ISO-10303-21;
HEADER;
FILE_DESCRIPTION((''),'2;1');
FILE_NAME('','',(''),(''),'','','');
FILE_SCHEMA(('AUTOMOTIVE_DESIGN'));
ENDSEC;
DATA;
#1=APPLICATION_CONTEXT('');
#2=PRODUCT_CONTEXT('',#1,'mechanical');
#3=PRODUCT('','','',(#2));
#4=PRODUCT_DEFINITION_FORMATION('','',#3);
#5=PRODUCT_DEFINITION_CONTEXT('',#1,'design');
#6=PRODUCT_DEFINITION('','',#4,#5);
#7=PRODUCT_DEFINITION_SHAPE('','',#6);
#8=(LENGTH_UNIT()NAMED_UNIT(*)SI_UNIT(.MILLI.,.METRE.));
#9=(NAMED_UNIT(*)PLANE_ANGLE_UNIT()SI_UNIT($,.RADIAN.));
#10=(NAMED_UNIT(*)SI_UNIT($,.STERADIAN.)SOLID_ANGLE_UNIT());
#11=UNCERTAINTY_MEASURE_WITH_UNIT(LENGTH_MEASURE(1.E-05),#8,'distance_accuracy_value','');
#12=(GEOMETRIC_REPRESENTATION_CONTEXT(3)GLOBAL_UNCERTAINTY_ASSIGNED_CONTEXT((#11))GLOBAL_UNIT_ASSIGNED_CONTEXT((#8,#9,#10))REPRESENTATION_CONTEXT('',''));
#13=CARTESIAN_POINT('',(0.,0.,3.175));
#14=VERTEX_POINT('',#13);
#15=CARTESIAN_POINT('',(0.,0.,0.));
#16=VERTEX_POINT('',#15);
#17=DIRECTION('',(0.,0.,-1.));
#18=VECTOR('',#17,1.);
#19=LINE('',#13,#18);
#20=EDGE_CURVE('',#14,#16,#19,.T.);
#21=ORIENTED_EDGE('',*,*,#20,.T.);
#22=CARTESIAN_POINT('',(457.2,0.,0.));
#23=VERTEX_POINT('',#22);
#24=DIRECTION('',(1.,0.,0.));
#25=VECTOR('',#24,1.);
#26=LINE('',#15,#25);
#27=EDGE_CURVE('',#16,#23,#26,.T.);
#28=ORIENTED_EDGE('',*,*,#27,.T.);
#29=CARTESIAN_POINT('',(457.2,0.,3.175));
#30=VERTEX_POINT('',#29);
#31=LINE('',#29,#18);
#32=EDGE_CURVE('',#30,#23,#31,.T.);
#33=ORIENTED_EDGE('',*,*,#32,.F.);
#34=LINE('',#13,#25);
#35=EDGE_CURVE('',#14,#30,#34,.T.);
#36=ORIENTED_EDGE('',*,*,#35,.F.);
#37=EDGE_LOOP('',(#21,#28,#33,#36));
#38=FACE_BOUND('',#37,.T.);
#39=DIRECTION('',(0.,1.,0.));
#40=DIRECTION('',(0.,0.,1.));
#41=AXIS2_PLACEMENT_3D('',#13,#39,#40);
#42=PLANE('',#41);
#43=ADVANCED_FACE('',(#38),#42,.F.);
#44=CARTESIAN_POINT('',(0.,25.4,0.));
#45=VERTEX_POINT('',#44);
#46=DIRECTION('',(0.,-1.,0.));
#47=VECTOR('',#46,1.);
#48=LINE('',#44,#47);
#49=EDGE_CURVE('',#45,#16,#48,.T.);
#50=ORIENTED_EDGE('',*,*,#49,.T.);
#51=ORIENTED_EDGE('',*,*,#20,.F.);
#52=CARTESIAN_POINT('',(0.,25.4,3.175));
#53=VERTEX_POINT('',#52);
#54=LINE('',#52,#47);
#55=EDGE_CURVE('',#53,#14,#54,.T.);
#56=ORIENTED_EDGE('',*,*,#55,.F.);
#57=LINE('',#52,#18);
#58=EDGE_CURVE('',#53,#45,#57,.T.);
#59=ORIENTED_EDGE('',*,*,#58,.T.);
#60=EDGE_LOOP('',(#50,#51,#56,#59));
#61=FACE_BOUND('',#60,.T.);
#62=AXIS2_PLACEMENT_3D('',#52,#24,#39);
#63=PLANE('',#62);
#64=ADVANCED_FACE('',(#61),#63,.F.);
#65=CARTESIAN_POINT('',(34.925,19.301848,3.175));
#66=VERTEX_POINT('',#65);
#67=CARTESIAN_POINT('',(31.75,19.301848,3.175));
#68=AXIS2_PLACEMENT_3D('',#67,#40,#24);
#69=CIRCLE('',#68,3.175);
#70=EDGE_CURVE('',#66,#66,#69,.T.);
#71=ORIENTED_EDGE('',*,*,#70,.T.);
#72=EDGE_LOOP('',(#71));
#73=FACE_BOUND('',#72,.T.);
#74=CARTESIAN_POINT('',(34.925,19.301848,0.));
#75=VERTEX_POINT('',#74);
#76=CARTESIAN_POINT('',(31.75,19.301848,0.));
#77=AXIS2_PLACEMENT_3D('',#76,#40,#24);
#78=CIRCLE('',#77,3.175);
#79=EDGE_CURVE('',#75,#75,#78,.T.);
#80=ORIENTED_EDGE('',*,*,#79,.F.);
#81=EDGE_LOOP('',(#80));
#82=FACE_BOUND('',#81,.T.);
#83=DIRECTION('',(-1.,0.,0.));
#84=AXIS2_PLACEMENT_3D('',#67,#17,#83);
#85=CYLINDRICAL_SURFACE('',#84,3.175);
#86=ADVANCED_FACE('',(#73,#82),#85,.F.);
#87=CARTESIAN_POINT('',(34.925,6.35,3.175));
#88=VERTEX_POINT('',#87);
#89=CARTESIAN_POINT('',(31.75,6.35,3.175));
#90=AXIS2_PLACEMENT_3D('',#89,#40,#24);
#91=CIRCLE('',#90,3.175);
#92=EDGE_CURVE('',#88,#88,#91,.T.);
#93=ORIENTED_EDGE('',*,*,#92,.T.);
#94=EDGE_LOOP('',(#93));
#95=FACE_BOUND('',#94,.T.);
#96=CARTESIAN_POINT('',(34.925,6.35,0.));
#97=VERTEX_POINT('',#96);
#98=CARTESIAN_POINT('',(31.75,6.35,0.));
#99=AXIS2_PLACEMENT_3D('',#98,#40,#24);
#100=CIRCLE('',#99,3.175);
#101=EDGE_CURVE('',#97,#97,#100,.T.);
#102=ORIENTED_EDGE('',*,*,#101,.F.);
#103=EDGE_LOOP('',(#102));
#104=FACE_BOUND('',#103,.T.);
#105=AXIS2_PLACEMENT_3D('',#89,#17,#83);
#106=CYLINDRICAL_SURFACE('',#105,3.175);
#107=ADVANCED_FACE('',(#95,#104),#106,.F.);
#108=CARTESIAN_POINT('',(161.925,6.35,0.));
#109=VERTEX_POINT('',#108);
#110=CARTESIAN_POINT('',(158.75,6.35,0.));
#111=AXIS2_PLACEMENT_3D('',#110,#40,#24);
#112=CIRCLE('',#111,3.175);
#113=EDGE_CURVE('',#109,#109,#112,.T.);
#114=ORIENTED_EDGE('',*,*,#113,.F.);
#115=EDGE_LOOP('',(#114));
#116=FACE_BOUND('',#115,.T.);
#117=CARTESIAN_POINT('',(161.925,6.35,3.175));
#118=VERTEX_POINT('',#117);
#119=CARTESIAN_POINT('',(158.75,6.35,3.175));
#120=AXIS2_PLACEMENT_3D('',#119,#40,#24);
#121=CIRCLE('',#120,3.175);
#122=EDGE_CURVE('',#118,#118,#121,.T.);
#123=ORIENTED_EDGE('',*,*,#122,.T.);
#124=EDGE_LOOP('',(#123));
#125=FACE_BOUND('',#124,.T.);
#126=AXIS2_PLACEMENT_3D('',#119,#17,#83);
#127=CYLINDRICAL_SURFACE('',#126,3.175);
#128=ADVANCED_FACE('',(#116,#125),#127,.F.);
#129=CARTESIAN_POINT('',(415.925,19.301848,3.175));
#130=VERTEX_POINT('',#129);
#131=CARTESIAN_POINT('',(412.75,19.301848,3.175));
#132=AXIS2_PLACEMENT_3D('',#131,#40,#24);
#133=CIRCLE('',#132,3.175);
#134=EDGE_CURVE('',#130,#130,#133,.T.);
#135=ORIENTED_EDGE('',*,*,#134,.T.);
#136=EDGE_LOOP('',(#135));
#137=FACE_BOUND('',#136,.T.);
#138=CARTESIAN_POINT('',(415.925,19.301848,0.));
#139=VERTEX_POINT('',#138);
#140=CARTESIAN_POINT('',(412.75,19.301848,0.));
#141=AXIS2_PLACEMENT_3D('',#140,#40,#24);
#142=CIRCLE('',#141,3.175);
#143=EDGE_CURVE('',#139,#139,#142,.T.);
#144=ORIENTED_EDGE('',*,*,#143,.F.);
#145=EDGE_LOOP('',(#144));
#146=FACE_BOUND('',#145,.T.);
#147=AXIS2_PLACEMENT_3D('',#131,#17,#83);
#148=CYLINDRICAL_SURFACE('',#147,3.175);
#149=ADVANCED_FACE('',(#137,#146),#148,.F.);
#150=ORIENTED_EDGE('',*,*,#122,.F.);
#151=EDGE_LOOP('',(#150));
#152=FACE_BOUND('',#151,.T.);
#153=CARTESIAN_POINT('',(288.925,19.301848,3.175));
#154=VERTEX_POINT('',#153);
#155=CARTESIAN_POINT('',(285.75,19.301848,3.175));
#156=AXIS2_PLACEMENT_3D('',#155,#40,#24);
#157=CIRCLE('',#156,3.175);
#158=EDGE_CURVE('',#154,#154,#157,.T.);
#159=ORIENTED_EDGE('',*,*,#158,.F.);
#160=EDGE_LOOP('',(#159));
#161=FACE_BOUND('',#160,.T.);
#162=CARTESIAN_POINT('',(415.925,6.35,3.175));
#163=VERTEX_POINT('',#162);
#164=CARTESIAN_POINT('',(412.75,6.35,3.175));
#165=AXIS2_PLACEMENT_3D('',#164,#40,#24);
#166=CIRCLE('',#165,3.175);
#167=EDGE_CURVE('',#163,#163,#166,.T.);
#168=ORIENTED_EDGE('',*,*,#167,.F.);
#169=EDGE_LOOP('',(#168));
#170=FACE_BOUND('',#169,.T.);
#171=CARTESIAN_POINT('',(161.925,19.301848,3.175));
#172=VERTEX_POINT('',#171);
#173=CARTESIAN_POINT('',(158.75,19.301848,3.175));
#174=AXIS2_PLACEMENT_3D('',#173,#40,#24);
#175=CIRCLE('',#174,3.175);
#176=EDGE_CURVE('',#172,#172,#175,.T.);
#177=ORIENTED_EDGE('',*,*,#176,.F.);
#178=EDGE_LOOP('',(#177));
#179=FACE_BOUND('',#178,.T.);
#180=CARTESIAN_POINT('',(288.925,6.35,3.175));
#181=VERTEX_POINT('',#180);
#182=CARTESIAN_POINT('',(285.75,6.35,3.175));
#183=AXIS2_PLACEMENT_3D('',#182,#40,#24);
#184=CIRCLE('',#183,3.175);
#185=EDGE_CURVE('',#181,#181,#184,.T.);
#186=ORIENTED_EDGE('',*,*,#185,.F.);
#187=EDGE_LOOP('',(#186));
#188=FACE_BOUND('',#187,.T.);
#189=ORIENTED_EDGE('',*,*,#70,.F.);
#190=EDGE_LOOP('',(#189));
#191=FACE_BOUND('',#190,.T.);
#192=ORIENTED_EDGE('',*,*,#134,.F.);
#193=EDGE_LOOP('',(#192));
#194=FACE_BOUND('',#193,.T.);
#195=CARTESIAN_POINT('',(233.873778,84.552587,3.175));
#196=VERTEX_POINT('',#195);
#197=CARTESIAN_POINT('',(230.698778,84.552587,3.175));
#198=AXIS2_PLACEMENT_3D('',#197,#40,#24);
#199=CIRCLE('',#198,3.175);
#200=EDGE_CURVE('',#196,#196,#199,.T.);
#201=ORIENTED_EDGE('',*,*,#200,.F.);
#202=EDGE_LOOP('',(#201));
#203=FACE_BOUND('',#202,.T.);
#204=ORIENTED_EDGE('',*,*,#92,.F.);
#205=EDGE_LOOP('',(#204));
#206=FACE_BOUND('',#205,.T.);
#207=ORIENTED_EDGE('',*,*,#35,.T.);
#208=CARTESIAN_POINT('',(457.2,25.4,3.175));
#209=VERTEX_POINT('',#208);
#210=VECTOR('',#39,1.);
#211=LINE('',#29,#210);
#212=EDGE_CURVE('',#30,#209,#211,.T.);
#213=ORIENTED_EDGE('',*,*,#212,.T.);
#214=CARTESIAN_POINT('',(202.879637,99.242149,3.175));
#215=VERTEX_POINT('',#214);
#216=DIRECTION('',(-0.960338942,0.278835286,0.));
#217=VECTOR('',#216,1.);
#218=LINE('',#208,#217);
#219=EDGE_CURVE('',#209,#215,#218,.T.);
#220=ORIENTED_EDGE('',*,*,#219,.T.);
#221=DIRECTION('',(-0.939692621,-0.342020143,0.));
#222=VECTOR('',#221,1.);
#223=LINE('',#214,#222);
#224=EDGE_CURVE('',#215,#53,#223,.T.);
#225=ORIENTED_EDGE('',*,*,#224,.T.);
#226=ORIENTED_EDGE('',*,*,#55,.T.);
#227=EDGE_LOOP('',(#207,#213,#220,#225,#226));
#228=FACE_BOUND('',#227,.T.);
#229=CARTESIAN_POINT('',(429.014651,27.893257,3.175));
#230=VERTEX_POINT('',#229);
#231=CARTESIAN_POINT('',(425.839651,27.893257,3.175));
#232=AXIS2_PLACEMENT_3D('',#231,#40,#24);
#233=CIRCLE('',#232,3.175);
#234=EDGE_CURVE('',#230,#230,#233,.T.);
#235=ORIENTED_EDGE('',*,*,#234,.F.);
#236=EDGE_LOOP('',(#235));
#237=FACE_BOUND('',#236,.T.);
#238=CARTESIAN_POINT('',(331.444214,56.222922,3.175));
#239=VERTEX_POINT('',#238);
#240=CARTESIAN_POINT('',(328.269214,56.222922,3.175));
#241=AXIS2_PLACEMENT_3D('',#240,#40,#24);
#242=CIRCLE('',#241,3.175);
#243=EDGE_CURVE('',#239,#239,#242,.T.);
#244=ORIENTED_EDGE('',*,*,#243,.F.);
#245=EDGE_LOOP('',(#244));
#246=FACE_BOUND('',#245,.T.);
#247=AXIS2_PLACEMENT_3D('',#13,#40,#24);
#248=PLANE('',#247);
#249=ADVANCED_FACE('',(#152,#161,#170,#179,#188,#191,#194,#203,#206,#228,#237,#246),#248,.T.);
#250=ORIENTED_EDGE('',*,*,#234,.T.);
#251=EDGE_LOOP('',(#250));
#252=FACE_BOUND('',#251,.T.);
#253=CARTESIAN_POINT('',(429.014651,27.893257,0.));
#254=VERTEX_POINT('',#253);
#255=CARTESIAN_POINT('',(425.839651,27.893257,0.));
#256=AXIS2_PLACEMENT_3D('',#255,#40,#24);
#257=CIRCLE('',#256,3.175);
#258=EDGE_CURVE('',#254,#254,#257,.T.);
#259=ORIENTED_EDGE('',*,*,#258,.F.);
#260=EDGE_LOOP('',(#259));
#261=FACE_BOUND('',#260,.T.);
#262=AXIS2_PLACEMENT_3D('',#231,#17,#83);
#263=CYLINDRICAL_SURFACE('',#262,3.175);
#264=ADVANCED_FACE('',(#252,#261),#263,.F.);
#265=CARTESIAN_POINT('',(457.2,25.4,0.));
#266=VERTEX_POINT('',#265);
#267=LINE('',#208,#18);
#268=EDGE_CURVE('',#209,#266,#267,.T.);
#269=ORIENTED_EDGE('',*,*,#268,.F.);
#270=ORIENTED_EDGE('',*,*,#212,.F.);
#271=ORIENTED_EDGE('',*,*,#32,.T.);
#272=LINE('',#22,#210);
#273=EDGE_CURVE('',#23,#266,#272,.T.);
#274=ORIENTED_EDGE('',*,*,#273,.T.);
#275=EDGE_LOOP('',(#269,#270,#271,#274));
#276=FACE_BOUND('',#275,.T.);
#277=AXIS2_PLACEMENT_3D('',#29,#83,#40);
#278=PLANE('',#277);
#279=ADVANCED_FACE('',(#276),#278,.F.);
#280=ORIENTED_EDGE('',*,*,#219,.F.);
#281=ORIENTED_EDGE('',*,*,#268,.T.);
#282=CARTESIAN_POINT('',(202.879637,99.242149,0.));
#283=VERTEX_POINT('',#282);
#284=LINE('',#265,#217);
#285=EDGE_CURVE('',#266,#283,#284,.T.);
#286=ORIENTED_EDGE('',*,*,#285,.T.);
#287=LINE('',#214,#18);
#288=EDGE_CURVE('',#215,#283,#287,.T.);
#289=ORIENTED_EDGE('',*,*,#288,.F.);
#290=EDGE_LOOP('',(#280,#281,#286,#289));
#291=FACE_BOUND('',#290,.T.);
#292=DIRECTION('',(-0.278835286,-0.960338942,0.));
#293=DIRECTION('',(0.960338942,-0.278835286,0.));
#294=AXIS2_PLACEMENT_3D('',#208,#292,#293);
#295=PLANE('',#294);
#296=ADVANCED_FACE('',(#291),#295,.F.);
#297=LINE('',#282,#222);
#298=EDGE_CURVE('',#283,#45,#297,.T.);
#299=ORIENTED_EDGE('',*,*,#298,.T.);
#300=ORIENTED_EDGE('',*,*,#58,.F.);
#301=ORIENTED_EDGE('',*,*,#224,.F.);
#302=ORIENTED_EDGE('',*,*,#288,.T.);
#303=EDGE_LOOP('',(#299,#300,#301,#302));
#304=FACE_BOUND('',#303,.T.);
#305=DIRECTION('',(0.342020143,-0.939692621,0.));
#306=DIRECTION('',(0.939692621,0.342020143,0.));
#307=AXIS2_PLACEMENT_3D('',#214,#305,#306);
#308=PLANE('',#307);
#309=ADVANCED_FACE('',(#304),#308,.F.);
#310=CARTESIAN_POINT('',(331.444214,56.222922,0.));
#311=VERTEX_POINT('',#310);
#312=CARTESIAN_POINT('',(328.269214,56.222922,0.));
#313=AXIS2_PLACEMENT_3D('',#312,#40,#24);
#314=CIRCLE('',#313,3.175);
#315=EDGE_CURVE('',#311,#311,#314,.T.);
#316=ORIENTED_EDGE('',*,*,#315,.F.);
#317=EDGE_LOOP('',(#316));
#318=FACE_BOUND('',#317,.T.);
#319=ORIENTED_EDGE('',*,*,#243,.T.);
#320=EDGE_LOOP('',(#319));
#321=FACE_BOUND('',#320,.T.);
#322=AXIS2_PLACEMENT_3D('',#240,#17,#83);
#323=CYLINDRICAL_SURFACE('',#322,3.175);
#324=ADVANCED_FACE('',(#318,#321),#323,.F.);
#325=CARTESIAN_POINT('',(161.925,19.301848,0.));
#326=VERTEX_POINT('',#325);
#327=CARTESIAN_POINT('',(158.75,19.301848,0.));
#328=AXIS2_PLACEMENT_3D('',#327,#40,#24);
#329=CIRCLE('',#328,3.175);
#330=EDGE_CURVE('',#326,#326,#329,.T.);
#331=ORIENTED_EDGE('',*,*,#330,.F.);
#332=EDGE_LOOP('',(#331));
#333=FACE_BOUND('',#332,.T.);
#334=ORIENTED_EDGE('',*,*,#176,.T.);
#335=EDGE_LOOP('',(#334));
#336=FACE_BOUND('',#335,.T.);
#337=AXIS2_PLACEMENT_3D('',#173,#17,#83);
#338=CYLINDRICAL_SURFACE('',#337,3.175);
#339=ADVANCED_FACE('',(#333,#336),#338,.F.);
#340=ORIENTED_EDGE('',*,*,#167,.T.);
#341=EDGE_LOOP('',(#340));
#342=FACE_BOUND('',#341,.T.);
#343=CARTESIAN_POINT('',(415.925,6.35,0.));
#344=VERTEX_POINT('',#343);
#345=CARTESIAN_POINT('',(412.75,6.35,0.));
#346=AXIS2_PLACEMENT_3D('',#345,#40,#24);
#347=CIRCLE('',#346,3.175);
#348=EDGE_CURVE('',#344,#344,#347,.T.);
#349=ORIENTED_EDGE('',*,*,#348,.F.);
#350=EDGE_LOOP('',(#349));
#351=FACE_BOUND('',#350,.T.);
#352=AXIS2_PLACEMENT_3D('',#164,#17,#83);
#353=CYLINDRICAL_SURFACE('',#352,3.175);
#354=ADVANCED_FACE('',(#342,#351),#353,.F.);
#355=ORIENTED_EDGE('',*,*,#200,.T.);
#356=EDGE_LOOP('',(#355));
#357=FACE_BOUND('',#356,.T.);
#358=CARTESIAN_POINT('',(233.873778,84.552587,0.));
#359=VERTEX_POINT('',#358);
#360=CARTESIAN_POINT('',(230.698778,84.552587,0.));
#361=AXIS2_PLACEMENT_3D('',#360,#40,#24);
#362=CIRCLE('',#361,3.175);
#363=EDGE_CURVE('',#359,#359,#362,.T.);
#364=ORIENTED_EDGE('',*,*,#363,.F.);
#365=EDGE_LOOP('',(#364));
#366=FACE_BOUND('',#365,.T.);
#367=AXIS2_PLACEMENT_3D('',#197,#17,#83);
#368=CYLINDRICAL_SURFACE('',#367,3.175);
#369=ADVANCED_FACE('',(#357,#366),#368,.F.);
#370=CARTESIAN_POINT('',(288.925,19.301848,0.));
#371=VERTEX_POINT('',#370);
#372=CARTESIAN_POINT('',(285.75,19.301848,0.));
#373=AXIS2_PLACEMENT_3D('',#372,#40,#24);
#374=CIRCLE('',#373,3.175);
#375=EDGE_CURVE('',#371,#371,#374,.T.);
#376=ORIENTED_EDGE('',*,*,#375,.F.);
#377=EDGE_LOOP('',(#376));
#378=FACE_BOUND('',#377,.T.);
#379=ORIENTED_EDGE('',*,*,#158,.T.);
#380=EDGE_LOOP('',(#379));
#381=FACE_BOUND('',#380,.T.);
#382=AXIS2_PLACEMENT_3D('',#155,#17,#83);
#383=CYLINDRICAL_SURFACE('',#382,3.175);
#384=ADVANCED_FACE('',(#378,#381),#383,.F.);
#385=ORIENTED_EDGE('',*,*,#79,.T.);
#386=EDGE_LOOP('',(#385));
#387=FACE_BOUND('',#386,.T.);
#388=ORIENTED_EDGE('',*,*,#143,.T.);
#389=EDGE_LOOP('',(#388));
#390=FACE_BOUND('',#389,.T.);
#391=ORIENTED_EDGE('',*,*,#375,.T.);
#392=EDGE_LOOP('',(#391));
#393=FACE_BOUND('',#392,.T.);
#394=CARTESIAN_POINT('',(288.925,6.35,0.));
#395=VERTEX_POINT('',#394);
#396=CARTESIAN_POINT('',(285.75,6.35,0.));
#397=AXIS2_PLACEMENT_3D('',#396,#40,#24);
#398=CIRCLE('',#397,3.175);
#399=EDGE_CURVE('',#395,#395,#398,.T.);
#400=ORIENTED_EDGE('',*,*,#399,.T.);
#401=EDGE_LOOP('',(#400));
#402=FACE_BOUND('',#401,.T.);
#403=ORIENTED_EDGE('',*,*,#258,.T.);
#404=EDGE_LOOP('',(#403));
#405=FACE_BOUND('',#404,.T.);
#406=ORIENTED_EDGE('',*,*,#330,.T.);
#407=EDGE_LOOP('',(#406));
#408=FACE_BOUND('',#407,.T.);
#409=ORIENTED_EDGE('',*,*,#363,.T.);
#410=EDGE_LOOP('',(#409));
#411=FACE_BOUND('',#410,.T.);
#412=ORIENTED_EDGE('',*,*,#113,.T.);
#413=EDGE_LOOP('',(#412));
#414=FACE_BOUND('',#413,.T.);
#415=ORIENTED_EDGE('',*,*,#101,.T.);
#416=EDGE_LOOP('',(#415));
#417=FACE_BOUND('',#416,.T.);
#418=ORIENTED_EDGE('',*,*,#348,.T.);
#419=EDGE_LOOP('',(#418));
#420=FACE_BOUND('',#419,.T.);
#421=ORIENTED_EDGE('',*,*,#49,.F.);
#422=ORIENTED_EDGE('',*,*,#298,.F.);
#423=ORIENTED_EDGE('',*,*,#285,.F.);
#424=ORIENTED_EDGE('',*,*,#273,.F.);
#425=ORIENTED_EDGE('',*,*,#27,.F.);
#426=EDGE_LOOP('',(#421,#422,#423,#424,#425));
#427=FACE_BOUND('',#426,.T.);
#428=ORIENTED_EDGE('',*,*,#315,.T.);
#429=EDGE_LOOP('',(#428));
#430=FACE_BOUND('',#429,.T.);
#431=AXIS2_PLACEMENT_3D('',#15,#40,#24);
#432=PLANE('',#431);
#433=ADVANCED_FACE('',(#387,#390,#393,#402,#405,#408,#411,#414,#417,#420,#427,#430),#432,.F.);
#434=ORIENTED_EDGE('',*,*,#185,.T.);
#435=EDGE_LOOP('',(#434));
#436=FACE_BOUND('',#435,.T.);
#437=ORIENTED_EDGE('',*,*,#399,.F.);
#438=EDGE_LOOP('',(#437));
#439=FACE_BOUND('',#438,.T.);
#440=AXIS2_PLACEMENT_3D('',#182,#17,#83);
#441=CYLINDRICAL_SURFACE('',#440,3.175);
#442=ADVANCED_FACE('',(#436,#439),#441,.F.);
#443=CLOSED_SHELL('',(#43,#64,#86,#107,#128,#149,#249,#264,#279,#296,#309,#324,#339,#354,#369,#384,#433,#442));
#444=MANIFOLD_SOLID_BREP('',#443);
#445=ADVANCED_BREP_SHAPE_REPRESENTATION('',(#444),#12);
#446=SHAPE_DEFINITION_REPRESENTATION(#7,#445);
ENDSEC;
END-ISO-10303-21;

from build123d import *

# Parameters (mm, degrees)
SKETCH1_R           = 3.175
BOSS_EXTRUDE1_DEPTH = 3.175


with BuildPart() as part:
    # Sketch1 → Boss-Extrude1 (new body)
    with BuildSketch(Plane.XY):
        Polygon((0, 0), (457.2, 0), (457.2, 25.4), (202.879636828, 99.242148944), (0, 25.4), align=None)
        with Locations((230.698777852, 84.552587242)):
            Circle(SKETCH1_R, mode=Mode.SUBTRACT)
        with Locations((328.269214348, 56.222922191)):
            Circle(SKETCH1_R, mode=Mode.SUBTRACT)
        with Locations((425.839650845, 27.89325714)):
            Circle(SKETCH1_R, mode=Mode.SUBTRACT)
        with Locations((31.75, 19.301847719)):
            Circle(SKETCH1_R, mode=Mode.SUBTRACT)
        with Locations((31.75, 6.35)):
            Circle(SKETCH1_R, mode=Mode.SUBTRACT)
        with Locations((158.75, 19.301847719)):
            Circle(SKETCH1_R, mode=Mode.SUBTRACT)
        with Locations((285.75, 19.301847719)):
            Circle(SKETCH1_R, mode=Mode.SUBTRACT)
        with Locations((412.75, 19.301847719)):
            Circle(SKETCH1_R, mode=Mode.SUBTRACT)
        with Locations((158.75, 6.35)):
            Circle(SKETCH1_R, mode=Mode.SUBTRACT)
        with Locations((285.75, 6.35)):
            Circle(SKETCH1_R, mode=Mode.SUBTRACT)
        with Locations((412.75, 6.35)):
            Circle(SKETCH1_R, mode=Mode.SUBTRACT)
    extrude(amount=BOSS_EXTRUDE1_DEPTH)


solid = part.part
